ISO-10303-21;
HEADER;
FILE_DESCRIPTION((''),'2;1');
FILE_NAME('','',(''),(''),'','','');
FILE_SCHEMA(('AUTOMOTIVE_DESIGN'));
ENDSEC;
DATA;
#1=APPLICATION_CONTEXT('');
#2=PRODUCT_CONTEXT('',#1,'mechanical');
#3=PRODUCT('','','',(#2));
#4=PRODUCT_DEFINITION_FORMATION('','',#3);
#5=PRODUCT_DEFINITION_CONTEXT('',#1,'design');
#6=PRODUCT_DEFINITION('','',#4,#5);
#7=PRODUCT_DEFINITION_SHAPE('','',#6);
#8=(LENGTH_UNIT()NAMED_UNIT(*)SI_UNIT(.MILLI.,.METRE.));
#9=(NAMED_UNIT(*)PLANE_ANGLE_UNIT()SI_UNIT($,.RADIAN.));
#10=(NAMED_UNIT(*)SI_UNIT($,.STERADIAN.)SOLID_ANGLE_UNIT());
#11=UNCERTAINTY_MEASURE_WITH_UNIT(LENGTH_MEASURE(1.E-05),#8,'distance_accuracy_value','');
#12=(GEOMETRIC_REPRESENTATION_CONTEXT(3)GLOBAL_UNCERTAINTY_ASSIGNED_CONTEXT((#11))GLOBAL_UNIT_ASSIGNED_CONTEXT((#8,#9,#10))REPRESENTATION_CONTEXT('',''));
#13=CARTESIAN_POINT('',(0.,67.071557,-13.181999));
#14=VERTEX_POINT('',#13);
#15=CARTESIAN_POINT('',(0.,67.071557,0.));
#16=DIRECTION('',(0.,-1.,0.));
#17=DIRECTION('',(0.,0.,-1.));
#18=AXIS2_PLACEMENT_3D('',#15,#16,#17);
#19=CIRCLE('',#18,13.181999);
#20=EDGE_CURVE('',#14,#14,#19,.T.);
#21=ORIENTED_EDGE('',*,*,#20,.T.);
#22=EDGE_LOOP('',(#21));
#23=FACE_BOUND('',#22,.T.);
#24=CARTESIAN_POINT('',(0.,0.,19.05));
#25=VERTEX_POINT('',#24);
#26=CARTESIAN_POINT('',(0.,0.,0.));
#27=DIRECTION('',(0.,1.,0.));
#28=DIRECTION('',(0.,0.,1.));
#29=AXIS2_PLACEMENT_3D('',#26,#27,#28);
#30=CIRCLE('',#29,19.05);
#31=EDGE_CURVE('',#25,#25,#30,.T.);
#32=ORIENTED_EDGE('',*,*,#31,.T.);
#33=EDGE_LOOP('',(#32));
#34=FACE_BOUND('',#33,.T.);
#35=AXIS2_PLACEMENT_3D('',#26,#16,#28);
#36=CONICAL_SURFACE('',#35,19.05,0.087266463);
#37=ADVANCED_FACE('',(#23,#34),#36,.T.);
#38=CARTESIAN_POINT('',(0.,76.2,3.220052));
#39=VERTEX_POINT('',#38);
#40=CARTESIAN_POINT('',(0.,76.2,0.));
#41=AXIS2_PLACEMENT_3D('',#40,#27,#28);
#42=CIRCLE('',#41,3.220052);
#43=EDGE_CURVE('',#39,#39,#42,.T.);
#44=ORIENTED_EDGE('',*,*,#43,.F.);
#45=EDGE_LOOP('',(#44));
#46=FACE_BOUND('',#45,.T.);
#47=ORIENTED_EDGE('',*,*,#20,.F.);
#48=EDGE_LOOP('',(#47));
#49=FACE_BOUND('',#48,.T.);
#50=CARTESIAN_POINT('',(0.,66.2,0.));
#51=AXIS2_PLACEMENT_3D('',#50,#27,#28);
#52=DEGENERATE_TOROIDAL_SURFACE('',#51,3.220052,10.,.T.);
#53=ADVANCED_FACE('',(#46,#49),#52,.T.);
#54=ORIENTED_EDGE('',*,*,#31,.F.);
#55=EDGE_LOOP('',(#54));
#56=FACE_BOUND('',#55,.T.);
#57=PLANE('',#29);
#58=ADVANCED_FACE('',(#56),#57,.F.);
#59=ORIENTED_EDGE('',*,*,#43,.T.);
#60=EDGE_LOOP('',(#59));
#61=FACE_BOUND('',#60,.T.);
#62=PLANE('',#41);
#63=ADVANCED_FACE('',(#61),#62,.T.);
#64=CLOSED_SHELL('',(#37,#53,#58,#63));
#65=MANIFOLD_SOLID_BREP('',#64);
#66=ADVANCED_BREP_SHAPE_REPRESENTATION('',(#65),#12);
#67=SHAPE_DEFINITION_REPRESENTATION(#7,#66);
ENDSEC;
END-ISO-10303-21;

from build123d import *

# Parameters (mm, degrees)
CROQUIS1_R              = 19.05
SALIENTE_EXTRUIR1_DEPTH = 76.2
SALIENTE_EXTRUIR1_TAPER = 5
REDONDEO1_R             = 10


with BuildPart() as part:
    # Croquis1 → Saliente-Extruir1 (new body)
    with BuildSketch(Plane(origin=(0, 0, 0), x_dir=(1, 0, 0), z_dir=(0, 1, 0))):
        Circle(CROQUIS1_R)
    extrude(amount=SALIENTE_EXTRUIR1_DEPTH, taper=SALIENTE_EXTRUIR1_TAPER)

    # Redondeo1
    redondeo1_edges = [part.edges().sort_by_distance(p)[0] for p in [
        (-12.383363839, 76.2, 0),
    ]]
    fillet(redondeo1_edges, radius=REDONDEO1_R)


solid = part.part
